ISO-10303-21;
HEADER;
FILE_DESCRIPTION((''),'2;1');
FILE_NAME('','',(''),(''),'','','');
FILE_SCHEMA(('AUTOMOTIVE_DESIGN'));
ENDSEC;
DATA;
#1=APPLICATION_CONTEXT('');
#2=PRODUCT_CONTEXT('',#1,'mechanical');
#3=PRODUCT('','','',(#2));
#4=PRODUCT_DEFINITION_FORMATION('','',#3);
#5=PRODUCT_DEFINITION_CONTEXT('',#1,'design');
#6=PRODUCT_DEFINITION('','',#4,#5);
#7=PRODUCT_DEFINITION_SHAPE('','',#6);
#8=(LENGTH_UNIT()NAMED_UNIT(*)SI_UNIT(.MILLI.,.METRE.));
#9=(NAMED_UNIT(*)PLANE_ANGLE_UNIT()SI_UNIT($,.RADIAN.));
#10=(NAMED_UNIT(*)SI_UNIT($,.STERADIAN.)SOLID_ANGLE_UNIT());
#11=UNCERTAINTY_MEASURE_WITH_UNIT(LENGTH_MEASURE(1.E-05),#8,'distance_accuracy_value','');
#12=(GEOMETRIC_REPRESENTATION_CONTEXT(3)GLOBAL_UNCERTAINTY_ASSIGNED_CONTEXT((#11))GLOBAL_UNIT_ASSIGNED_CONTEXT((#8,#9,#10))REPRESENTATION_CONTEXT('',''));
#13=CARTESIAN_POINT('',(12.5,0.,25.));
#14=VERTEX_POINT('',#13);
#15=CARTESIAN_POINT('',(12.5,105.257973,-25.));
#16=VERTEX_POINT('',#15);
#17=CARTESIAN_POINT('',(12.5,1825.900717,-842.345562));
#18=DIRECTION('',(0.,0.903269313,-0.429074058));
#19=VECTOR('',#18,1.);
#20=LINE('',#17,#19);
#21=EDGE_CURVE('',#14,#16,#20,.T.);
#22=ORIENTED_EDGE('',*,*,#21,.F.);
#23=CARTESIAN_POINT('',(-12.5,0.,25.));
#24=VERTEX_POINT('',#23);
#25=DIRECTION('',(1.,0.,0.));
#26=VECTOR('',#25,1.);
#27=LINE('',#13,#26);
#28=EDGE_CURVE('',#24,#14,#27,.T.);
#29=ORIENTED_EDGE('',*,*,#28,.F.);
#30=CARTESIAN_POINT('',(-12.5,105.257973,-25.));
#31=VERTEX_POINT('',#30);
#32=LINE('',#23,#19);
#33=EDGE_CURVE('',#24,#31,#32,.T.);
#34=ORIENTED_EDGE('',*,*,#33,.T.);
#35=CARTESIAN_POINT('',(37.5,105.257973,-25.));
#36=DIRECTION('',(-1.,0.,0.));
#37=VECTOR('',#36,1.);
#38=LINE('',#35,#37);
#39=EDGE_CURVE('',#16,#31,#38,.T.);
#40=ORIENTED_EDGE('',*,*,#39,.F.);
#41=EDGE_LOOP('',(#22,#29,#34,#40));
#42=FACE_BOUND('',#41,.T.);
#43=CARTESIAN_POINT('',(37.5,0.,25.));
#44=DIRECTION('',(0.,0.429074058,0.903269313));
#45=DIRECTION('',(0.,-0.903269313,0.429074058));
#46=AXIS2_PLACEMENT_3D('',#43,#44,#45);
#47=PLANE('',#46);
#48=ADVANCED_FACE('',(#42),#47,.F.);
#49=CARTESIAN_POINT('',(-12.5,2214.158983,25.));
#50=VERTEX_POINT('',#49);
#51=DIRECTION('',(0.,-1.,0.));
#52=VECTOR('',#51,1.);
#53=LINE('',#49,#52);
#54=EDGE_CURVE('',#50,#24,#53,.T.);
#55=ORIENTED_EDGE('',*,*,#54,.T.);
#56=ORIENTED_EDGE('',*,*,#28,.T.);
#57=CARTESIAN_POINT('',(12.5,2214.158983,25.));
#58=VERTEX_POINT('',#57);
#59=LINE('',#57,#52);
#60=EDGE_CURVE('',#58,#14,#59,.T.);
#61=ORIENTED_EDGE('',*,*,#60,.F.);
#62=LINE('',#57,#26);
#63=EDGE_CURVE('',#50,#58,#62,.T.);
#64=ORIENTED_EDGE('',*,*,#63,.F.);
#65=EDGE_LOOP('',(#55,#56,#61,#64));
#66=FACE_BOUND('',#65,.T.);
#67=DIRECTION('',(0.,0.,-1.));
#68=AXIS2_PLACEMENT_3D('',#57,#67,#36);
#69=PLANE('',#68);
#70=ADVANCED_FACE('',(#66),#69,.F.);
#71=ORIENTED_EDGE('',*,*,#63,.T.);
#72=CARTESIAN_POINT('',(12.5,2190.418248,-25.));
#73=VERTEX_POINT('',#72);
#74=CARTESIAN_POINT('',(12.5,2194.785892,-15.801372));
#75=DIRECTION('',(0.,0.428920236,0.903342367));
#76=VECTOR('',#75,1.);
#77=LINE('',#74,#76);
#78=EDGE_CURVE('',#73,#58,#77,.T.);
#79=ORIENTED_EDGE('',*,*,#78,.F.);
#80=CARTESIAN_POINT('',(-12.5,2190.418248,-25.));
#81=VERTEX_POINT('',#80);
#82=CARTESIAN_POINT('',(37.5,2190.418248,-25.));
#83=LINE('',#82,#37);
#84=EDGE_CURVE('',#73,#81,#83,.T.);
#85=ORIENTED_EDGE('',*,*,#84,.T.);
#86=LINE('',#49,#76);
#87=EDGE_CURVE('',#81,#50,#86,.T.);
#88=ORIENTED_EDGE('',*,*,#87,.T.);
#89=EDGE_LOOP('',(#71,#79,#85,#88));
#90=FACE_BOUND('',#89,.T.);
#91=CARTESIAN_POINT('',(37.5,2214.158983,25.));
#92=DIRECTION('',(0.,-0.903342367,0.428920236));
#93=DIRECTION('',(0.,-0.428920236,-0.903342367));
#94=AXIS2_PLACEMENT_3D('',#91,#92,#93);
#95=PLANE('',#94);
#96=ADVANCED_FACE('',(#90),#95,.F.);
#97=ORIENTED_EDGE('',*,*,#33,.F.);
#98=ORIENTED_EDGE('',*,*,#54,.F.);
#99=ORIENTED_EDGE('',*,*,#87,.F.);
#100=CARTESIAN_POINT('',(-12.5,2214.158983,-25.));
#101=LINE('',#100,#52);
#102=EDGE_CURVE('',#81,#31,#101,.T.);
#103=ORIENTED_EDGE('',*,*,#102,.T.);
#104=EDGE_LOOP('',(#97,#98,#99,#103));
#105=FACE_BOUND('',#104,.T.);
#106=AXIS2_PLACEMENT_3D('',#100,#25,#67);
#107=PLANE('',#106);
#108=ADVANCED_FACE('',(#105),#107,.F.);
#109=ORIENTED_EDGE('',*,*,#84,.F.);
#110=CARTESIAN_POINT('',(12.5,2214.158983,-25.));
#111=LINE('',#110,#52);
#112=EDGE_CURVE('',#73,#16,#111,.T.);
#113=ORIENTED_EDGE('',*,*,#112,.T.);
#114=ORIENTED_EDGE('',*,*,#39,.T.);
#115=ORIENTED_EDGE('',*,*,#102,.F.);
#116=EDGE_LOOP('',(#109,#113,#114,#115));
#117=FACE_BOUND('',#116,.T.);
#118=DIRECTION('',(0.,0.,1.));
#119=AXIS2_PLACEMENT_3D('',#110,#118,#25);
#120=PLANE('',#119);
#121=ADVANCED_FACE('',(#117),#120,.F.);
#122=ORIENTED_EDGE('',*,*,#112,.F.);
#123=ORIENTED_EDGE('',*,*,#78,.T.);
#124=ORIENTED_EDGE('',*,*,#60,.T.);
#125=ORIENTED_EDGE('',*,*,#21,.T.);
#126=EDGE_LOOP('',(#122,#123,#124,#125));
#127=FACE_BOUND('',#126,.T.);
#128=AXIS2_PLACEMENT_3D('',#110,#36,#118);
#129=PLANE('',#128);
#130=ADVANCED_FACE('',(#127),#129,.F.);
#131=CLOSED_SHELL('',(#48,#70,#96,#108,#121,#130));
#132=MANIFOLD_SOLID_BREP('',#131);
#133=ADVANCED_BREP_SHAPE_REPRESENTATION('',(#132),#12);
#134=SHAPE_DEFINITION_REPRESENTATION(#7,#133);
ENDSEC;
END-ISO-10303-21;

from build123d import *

# Parameters (mm, degrees)
SKETCH_1_W          = 25
SKETCH_1_H          = 50
EXTRUDE_1_DEPTH     = 2214.15898255
CUT_EXTRUDE_2_DEPTH = 50
CUT_EXTRUDE_3_DEPTH = 50


with BuildPart() as part:
    # Эскиз1 → Бобышка-Вытянуть1 (new body)
    with BuildSketch(Plane(origin=(0, 0, 0), x_dir=(1, 0, 0), z_dir=(0, 1, 0))):
        Rectangle(SKETCH_1_W, SKETCH_1_H)
    extrude(amount=EXTRUDE_1_DEPTH)

    # Эскиз3 → Вырез-Вытянуть2 (cut)
    with BuildSketch(Plane.ZY.offset(12.5)):
        Polygon((25, 0), (-25, 105.257973095), (-25, 0), align=None)
    extrude(amount=-CUT_EXTRUDE_2_DEPTH, mode=Mode.SUBTRACT)

    # Эскиз4 → Вырез-Вытянуть3 (cut)
    with BuildSketch(Plane.ZY.offset(12.5)):
        Polygon((25, 2214.15898255), (-25, 2190.418247515), (-25, 2214.15898255), align=None)
    extrude(amount=-CUT_EXTRUDE_3_DEPTH, mode=Mode.SUBTRACT)


solid = part.part
